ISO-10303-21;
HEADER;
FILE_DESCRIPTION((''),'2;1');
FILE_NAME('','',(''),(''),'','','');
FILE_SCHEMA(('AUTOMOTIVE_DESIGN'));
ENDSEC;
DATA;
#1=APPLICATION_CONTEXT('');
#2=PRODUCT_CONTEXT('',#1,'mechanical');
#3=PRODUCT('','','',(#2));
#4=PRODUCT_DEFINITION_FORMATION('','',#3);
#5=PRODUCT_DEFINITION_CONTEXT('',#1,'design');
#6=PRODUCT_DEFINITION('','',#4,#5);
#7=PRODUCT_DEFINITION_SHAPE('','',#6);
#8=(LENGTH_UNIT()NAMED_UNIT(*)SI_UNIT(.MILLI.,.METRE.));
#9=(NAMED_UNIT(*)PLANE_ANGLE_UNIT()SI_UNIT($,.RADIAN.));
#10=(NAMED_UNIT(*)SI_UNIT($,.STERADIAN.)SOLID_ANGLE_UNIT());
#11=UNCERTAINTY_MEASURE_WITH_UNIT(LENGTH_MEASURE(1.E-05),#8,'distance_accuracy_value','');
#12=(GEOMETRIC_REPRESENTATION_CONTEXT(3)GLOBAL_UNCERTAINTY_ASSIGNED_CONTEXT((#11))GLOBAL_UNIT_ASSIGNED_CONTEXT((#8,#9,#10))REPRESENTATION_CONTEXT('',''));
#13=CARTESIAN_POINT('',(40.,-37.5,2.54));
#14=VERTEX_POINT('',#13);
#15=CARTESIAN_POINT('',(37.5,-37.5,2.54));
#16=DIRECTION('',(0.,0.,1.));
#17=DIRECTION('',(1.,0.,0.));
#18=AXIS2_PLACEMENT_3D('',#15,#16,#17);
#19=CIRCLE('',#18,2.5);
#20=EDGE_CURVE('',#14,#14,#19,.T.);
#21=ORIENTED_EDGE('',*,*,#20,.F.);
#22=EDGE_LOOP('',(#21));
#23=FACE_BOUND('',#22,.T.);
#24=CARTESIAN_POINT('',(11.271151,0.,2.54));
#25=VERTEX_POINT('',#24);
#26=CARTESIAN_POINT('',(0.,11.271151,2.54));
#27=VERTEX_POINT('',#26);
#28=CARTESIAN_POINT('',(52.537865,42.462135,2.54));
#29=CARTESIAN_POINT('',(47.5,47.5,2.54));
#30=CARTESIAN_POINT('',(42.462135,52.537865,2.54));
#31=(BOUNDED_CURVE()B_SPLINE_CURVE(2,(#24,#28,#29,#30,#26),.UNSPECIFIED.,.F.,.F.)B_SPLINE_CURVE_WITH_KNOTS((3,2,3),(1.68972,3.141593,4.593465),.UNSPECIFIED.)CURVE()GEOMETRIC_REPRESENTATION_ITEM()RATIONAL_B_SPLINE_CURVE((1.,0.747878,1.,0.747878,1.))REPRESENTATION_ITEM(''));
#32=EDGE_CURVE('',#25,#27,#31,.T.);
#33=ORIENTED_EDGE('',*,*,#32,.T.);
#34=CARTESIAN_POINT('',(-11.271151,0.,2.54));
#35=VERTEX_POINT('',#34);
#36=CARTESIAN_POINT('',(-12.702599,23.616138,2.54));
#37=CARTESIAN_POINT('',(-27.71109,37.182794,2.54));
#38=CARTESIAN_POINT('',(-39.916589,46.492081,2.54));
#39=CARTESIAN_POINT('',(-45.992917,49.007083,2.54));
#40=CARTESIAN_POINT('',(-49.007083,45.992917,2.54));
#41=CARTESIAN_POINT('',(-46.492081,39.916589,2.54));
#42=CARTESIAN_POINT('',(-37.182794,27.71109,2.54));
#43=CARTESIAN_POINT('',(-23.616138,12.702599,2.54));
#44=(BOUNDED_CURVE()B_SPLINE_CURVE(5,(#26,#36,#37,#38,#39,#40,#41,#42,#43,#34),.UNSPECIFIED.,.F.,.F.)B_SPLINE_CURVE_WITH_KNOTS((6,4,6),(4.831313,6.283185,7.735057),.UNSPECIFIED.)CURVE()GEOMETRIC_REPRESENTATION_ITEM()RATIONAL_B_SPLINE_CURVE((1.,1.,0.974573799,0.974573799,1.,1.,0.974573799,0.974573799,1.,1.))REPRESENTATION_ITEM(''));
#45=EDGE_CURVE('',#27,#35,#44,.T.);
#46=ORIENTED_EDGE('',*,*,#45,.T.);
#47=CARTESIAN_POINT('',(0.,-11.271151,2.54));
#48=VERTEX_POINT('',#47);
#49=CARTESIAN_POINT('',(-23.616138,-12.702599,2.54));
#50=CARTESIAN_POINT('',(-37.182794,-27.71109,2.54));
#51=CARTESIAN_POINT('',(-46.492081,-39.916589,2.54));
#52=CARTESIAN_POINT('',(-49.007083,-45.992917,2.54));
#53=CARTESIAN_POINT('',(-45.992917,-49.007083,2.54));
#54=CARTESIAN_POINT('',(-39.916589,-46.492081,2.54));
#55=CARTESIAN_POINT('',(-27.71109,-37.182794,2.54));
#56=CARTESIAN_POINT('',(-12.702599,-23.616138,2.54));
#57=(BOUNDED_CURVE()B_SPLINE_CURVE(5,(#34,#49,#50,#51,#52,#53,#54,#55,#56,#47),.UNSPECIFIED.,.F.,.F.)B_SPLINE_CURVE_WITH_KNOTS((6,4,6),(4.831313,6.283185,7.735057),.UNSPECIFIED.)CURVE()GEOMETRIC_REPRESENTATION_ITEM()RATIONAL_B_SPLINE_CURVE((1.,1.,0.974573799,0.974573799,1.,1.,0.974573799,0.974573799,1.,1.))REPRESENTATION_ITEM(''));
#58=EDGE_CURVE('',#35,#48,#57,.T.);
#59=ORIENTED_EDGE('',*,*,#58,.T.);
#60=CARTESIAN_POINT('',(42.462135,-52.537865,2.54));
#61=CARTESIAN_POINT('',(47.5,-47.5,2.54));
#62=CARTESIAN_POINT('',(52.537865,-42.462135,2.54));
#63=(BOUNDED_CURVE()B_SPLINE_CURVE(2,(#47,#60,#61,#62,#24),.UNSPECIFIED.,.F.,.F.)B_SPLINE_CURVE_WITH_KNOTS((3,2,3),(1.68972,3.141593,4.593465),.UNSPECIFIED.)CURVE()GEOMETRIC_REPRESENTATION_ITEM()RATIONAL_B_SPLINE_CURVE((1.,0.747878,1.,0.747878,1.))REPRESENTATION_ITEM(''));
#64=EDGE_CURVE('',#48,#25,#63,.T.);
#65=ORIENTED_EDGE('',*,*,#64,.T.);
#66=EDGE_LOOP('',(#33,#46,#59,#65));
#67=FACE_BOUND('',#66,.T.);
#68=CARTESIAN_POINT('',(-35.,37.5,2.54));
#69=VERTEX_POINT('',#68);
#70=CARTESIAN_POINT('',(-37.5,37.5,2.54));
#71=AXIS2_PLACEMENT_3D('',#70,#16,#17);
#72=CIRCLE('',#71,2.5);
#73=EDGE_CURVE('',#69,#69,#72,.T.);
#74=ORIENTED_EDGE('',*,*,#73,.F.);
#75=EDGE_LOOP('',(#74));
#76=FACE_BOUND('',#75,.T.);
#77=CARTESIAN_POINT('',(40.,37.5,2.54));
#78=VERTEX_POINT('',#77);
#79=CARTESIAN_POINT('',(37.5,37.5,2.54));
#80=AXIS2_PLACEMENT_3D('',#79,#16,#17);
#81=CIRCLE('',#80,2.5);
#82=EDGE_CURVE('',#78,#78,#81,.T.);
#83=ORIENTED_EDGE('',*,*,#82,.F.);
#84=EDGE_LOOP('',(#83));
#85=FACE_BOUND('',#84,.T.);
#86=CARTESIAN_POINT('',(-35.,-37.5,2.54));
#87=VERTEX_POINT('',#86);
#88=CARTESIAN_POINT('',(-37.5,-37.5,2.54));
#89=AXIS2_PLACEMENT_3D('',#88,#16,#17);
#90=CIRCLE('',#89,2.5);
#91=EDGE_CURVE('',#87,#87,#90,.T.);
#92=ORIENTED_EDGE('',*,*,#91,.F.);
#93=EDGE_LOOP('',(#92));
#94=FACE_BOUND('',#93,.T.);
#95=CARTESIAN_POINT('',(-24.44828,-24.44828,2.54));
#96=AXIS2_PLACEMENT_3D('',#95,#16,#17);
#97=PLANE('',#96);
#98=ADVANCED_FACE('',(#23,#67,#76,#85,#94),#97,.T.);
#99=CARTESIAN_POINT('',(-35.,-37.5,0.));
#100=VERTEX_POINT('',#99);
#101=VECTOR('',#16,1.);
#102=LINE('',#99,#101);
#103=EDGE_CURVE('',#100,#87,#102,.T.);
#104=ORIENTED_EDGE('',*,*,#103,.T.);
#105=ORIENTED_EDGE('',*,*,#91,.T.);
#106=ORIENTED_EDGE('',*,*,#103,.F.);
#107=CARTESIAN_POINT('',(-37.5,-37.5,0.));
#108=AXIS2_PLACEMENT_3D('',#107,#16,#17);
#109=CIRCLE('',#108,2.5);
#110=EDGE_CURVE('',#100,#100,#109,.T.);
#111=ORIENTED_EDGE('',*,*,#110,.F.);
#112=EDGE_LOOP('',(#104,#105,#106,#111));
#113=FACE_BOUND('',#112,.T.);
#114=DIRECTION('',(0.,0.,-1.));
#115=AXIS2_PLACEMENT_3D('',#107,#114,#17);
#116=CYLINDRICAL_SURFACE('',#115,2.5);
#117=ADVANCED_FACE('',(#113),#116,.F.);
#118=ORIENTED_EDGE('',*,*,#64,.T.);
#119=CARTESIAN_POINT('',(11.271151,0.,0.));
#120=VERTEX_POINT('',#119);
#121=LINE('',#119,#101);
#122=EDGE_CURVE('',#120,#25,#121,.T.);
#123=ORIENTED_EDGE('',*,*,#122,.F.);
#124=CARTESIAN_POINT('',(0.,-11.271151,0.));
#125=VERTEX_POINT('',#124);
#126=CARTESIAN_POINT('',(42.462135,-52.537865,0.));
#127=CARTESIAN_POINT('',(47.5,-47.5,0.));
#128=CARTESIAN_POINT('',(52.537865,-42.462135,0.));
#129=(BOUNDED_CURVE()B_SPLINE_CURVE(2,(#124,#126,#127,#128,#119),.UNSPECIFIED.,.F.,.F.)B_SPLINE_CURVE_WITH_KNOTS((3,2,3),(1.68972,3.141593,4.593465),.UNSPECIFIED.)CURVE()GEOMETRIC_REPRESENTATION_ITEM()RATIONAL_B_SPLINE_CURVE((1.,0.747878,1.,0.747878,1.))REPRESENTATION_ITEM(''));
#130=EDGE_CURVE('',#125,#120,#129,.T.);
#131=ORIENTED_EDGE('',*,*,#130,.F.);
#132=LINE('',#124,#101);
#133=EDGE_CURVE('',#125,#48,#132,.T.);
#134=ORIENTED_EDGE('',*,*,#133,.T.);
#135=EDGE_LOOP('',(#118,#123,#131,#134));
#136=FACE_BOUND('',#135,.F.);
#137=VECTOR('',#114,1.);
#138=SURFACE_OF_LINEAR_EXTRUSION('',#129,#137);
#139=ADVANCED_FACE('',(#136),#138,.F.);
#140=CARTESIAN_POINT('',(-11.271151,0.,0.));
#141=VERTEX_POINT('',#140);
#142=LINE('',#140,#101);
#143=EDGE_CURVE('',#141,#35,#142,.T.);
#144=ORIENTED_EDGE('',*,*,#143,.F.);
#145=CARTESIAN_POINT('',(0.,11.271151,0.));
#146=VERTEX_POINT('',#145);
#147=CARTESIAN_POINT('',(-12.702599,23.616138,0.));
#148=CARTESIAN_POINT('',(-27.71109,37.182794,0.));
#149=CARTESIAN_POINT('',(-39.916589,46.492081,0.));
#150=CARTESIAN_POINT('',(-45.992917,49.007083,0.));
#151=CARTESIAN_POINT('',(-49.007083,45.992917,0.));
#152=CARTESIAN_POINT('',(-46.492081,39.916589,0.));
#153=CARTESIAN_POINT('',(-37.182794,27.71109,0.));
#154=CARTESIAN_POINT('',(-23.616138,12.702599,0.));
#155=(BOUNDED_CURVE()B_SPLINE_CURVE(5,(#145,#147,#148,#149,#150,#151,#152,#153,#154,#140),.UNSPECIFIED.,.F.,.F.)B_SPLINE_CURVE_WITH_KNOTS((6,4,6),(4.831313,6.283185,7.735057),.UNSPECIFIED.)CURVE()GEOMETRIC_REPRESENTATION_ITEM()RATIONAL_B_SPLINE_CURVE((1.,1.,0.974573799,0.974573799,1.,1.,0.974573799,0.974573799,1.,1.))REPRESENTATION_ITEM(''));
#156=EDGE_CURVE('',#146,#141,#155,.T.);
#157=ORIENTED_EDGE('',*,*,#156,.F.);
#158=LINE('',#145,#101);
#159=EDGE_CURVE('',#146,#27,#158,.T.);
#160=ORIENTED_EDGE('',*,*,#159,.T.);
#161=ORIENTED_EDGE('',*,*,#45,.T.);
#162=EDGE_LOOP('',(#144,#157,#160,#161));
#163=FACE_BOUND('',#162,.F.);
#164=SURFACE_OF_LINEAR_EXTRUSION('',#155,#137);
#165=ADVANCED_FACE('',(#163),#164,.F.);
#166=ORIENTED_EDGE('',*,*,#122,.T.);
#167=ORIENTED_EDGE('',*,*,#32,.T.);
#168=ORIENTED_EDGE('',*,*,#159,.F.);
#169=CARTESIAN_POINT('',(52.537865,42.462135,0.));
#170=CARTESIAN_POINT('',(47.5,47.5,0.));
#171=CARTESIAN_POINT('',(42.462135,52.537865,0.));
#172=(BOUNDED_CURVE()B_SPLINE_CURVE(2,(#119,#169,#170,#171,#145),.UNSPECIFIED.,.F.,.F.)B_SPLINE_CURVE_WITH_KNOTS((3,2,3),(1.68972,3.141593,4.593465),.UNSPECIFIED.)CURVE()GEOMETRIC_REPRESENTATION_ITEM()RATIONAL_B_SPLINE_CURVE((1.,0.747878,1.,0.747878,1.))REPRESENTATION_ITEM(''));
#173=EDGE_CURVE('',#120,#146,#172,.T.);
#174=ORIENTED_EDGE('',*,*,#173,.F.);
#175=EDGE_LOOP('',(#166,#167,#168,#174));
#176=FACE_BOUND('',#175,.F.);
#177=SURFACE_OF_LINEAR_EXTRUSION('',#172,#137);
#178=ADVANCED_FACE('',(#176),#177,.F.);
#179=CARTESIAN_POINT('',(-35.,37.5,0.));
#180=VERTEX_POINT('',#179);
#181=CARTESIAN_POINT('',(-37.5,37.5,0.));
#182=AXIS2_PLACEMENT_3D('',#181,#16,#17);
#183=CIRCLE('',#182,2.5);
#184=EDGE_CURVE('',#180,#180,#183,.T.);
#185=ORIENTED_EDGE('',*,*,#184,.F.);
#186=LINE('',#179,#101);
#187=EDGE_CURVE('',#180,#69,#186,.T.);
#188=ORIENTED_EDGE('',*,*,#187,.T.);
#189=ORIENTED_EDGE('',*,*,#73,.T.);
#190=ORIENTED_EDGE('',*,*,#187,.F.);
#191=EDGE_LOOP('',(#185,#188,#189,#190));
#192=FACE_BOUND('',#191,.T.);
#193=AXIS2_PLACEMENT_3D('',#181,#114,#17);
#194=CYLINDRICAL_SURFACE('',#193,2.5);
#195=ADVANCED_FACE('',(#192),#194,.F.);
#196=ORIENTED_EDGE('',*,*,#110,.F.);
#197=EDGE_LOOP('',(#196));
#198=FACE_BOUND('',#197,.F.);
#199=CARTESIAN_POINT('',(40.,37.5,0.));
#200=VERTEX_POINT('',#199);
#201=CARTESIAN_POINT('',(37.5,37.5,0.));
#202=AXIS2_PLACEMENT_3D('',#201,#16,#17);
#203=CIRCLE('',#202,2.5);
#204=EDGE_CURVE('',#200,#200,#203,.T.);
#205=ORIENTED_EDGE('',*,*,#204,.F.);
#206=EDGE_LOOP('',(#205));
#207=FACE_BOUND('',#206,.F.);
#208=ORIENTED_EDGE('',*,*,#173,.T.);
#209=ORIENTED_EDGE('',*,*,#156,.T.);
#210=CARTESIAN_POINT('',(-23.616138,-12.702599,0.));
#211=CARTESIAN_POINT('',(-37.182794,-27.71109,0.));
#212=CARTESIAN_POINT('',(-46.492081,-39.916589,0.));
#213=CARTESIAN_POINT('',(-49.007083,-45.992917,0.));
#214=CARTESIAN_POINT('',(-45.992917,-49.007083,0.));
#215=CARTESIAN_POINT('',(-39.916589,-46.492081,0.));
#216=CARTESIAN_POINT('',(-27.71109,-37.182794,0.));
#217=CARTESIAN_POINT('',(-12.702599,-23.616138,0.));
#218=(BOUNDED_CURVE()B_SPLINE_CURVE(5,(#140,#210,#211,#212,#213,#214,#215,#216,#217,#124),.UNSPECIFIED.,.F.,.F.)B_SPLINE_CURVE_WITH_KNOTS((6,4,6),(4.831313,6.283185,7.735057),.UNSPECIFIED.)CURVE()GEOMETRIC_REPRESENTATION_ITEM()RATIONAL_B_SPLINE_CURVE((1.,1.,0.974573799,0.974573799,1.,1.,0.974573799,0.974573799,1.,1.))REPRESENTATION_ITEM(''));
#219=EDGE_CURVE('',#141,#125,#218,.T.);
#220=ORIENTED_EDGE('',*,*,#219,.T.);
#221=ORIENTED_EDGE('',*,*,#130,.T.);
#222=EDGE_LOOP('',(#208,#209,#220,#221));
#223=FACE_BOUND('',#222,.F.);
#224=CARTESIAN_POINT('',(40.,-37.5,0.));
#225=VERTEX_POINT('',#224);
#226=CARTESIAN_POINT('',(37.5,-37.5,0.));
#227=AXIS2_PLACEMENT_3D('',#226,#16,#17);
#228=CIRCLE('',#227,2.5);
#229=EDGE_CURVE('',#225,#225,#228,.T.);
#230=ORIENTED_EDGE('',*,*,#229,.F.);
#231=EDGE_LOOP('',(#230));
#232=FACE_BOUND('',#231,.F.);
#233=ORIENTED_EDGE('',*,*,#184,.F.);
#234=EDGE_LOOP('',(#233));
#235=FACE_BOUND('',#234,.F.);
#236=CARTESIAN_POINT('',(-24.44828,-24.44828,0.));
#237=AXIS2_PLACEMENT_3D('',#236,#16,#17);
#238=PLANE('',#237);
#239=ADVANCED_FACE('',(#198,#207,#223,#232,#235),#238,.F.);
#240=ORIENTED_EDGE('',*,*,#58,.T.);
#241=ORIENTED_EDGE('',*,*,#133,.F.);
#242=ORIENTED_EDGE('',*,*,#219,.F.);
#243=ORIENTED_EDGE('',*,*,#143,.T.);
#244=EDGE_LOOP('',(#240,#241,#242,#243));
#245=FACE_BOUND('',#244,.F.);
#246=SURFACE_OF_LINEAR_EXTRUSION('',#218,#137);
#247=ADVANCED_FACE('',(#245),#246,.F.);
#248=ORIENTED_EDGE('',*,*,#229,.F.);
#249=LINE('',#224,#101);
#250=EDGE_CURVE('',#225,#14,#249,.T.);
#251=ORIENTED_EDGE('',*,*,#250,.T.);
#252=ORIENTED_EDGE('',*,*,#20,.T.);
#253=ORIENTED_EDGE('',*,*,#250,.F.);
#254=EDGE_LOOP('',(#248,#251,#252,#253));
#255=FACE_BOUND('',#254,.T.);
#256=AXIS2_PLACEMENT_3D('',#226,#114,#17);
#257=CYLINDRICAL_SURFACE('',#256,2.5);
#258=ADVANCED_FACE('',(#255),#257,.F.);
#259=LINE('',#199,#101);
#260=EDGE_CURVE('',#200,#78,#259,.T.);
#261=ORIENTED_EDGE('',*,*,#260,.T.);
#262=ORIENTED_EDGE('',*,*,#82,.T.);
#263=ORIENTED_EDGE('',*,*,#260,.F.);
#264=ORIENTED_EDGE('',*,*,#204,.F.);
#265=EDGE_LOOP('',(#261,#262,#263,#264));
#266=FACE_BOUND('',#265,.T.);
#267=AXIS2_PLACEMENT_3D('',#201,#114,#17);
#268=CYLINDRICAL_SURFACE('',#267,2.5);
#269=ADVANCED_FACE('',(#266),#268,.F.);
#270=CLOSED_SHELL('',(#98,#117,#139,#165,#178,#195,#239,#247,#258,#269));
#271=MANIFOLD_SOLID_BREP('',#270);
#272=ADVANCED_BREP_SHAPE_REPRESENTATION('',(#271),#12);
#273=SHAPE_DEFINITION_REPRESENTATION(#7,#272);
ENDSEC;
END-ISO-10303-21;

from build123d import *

# Parameters (mm, degrees)
F0_R     = 2.5
F1_DEPTH = 2.54


with BuildPart() as f1:
    # F0 (on Top) → F1 (new body)
    with BuildSketch(Plane.XY):
        with BuildLine():
            add(Edge.make_bspline(
                [(-11.271151, 0), (-52.537865, -42.462135), (-47.5, -47.5)],
                knots=[4.831313, 4.831313, 4.831313, 6.283185, 6.283185, 6.283185], degree=2, weights=[1, 0.747878, 1]))
            add(Edge.make_bspline(
                [(-47.5, -47.5), (-42.462135, -52.537865), (0, -11.271151)],
                knots=[0, 0, 0, 1.451873, 1.451873, 1.451873], degree=2, weights=[1, 0.747878, 1]))
            add(Edge.make_bspline(
                [(-11.271151, 0), (-5.716036, -5.716036), (0, -11.271151)],
                knots=[1.451873, 1.451873, 1.451873, 1.68972, 1.68972, 1.68972], degree=2, weights=[1, 0.992937, 1]))
        make_face()
        with Locations((-37.5, -37.5)):
            Circle(F0_R, mode=Mode.SUBTRACT)
        with BuildLine():
            add(Edge.make_bspline(
                [(-47.5, 47.5), (-52.537865, 42.462135), (-11.271151, 0)],
                knots=[0, 0, 0, 1.451873, 1.451873, 1.451873], degree=2, weights=[1, 0.747878, 1]))
            add(Edge.make_bspline(
                [(0, 11.271151), (-5.716036, 5.716036), (-11.271151, 0)],
                knots=[4.593465, 4.593465, 4.593465, 4.831313, 4.831313, 4.831313], degree=2, weights=[1, 0.992937, 1]))
            add(Edge.make_bspline(
                [(0, 11.271151), (-42.462135, 52.537865), (-47.5, 47.5)],
                knots=[4.831313, 4.831313, 4.831313, 6.283185, 6.283185, 6.283185], degree=2, weights=[1, 0.747878, 1]))
        make_face()
        with Locations((-37.5, 37.5)):
            Circle(F0_R, mode=Mode.SUBTRACT)
        with BuildLine():
            add(Edge.make_bspline(
                [(11.271151, 0), (5.716036, 5.716036), (0, 11.271151)],
                knots=[4.593465, 4.593465, 4.593465, 4.831313, 4.831313, 4.831313], degree=2, weights=[1, 0.992937, 1]))
            add(Edge.make_bspline(
                [(11.271151, 0), (52.537865, 42.462135), (47.5, 47.5), (42.462135, 52.537865), (0, 11.271151)],
                knots=[1.68972, 1.68972, 1.68972, 3.141593, 3.141593, 4.593465, 4.593465, 4.593465], degree=2, weights=[1, 0.747878, 1, 0.747878, 1]))
        make_face()
        with Locations((37.5, 37.5)):
            Circle(F0_R, mode=Mode.SUBTRACT)
        with BuildLine():
            add(Edge.make_bspline(
                [(0, -11.271151), (5.716036, -5.716036), (11.271151, 0)],
                knots=[1.451873, 1.451873, 1.451873, 1.68972, 1.68972, 1.68972], degree=2, weights=[1, 0.992937, 1]))
            add(Edge.make_bspline(
                [(0, -11.271151), (42.462135, -52.537865), (47.5, -47.5), (52.537865, -42.462135), (11.271151, 0)],
                knots=[1.68972, 1.68972, 1.68972, 3.141593, 3.141593, 4.593465, 4.593465, 4.593465], degree=2, weights=[1, 0.747878, 1, 0.747878, 1]))
        make_face()
        with Locations((37.5, -37.5)):
            Circle(F0_R, mode=Mode.SUBTRACT)
        with BuildLine():
            add(Edge.make_bspline(
                [(-11.271151, 0), (-5.716036, -5.716036), (0, -11.271151)],
                knots=[1.451873, 1.451873, 1.451873, 1.68972, 1.68972, 1.68972], degree=2, weights=[1, 0.992937, 1]))
            add(Edge.make_bspline(
                [(0, -11.271151), (5.716036, -5.716036), (11.271151, 0)],
                knots=[1.451873, 1.451873, 1.451873, 1.68972, 1.68972, 1.68972], degree=2, weights=[1, 0.992937, 1]))
            add(Edge.make_bspline(
                [(11.271151, 0), (5.716036, 5.716036), (0, 11.271151)],
                knots=[4.593465, 4.593465, 4.593465, 4.831313, 4.831313, 4.831313], degree=2, weights=[1, 0.992937, 1]))
            add(Edge.make_bspline(
                [(0, 11.271151), (-5.716036, 5.716036), (-11.271151, 0)],
                knots=[4.593465, 4.593465, 4.593465, 4.831313, 4.831313, 4.831313], degree=2, weights=[1, 0.992937, 1]))
        make_face()
    extrude(amount=F1_DEPTH)


solid = f1.part
